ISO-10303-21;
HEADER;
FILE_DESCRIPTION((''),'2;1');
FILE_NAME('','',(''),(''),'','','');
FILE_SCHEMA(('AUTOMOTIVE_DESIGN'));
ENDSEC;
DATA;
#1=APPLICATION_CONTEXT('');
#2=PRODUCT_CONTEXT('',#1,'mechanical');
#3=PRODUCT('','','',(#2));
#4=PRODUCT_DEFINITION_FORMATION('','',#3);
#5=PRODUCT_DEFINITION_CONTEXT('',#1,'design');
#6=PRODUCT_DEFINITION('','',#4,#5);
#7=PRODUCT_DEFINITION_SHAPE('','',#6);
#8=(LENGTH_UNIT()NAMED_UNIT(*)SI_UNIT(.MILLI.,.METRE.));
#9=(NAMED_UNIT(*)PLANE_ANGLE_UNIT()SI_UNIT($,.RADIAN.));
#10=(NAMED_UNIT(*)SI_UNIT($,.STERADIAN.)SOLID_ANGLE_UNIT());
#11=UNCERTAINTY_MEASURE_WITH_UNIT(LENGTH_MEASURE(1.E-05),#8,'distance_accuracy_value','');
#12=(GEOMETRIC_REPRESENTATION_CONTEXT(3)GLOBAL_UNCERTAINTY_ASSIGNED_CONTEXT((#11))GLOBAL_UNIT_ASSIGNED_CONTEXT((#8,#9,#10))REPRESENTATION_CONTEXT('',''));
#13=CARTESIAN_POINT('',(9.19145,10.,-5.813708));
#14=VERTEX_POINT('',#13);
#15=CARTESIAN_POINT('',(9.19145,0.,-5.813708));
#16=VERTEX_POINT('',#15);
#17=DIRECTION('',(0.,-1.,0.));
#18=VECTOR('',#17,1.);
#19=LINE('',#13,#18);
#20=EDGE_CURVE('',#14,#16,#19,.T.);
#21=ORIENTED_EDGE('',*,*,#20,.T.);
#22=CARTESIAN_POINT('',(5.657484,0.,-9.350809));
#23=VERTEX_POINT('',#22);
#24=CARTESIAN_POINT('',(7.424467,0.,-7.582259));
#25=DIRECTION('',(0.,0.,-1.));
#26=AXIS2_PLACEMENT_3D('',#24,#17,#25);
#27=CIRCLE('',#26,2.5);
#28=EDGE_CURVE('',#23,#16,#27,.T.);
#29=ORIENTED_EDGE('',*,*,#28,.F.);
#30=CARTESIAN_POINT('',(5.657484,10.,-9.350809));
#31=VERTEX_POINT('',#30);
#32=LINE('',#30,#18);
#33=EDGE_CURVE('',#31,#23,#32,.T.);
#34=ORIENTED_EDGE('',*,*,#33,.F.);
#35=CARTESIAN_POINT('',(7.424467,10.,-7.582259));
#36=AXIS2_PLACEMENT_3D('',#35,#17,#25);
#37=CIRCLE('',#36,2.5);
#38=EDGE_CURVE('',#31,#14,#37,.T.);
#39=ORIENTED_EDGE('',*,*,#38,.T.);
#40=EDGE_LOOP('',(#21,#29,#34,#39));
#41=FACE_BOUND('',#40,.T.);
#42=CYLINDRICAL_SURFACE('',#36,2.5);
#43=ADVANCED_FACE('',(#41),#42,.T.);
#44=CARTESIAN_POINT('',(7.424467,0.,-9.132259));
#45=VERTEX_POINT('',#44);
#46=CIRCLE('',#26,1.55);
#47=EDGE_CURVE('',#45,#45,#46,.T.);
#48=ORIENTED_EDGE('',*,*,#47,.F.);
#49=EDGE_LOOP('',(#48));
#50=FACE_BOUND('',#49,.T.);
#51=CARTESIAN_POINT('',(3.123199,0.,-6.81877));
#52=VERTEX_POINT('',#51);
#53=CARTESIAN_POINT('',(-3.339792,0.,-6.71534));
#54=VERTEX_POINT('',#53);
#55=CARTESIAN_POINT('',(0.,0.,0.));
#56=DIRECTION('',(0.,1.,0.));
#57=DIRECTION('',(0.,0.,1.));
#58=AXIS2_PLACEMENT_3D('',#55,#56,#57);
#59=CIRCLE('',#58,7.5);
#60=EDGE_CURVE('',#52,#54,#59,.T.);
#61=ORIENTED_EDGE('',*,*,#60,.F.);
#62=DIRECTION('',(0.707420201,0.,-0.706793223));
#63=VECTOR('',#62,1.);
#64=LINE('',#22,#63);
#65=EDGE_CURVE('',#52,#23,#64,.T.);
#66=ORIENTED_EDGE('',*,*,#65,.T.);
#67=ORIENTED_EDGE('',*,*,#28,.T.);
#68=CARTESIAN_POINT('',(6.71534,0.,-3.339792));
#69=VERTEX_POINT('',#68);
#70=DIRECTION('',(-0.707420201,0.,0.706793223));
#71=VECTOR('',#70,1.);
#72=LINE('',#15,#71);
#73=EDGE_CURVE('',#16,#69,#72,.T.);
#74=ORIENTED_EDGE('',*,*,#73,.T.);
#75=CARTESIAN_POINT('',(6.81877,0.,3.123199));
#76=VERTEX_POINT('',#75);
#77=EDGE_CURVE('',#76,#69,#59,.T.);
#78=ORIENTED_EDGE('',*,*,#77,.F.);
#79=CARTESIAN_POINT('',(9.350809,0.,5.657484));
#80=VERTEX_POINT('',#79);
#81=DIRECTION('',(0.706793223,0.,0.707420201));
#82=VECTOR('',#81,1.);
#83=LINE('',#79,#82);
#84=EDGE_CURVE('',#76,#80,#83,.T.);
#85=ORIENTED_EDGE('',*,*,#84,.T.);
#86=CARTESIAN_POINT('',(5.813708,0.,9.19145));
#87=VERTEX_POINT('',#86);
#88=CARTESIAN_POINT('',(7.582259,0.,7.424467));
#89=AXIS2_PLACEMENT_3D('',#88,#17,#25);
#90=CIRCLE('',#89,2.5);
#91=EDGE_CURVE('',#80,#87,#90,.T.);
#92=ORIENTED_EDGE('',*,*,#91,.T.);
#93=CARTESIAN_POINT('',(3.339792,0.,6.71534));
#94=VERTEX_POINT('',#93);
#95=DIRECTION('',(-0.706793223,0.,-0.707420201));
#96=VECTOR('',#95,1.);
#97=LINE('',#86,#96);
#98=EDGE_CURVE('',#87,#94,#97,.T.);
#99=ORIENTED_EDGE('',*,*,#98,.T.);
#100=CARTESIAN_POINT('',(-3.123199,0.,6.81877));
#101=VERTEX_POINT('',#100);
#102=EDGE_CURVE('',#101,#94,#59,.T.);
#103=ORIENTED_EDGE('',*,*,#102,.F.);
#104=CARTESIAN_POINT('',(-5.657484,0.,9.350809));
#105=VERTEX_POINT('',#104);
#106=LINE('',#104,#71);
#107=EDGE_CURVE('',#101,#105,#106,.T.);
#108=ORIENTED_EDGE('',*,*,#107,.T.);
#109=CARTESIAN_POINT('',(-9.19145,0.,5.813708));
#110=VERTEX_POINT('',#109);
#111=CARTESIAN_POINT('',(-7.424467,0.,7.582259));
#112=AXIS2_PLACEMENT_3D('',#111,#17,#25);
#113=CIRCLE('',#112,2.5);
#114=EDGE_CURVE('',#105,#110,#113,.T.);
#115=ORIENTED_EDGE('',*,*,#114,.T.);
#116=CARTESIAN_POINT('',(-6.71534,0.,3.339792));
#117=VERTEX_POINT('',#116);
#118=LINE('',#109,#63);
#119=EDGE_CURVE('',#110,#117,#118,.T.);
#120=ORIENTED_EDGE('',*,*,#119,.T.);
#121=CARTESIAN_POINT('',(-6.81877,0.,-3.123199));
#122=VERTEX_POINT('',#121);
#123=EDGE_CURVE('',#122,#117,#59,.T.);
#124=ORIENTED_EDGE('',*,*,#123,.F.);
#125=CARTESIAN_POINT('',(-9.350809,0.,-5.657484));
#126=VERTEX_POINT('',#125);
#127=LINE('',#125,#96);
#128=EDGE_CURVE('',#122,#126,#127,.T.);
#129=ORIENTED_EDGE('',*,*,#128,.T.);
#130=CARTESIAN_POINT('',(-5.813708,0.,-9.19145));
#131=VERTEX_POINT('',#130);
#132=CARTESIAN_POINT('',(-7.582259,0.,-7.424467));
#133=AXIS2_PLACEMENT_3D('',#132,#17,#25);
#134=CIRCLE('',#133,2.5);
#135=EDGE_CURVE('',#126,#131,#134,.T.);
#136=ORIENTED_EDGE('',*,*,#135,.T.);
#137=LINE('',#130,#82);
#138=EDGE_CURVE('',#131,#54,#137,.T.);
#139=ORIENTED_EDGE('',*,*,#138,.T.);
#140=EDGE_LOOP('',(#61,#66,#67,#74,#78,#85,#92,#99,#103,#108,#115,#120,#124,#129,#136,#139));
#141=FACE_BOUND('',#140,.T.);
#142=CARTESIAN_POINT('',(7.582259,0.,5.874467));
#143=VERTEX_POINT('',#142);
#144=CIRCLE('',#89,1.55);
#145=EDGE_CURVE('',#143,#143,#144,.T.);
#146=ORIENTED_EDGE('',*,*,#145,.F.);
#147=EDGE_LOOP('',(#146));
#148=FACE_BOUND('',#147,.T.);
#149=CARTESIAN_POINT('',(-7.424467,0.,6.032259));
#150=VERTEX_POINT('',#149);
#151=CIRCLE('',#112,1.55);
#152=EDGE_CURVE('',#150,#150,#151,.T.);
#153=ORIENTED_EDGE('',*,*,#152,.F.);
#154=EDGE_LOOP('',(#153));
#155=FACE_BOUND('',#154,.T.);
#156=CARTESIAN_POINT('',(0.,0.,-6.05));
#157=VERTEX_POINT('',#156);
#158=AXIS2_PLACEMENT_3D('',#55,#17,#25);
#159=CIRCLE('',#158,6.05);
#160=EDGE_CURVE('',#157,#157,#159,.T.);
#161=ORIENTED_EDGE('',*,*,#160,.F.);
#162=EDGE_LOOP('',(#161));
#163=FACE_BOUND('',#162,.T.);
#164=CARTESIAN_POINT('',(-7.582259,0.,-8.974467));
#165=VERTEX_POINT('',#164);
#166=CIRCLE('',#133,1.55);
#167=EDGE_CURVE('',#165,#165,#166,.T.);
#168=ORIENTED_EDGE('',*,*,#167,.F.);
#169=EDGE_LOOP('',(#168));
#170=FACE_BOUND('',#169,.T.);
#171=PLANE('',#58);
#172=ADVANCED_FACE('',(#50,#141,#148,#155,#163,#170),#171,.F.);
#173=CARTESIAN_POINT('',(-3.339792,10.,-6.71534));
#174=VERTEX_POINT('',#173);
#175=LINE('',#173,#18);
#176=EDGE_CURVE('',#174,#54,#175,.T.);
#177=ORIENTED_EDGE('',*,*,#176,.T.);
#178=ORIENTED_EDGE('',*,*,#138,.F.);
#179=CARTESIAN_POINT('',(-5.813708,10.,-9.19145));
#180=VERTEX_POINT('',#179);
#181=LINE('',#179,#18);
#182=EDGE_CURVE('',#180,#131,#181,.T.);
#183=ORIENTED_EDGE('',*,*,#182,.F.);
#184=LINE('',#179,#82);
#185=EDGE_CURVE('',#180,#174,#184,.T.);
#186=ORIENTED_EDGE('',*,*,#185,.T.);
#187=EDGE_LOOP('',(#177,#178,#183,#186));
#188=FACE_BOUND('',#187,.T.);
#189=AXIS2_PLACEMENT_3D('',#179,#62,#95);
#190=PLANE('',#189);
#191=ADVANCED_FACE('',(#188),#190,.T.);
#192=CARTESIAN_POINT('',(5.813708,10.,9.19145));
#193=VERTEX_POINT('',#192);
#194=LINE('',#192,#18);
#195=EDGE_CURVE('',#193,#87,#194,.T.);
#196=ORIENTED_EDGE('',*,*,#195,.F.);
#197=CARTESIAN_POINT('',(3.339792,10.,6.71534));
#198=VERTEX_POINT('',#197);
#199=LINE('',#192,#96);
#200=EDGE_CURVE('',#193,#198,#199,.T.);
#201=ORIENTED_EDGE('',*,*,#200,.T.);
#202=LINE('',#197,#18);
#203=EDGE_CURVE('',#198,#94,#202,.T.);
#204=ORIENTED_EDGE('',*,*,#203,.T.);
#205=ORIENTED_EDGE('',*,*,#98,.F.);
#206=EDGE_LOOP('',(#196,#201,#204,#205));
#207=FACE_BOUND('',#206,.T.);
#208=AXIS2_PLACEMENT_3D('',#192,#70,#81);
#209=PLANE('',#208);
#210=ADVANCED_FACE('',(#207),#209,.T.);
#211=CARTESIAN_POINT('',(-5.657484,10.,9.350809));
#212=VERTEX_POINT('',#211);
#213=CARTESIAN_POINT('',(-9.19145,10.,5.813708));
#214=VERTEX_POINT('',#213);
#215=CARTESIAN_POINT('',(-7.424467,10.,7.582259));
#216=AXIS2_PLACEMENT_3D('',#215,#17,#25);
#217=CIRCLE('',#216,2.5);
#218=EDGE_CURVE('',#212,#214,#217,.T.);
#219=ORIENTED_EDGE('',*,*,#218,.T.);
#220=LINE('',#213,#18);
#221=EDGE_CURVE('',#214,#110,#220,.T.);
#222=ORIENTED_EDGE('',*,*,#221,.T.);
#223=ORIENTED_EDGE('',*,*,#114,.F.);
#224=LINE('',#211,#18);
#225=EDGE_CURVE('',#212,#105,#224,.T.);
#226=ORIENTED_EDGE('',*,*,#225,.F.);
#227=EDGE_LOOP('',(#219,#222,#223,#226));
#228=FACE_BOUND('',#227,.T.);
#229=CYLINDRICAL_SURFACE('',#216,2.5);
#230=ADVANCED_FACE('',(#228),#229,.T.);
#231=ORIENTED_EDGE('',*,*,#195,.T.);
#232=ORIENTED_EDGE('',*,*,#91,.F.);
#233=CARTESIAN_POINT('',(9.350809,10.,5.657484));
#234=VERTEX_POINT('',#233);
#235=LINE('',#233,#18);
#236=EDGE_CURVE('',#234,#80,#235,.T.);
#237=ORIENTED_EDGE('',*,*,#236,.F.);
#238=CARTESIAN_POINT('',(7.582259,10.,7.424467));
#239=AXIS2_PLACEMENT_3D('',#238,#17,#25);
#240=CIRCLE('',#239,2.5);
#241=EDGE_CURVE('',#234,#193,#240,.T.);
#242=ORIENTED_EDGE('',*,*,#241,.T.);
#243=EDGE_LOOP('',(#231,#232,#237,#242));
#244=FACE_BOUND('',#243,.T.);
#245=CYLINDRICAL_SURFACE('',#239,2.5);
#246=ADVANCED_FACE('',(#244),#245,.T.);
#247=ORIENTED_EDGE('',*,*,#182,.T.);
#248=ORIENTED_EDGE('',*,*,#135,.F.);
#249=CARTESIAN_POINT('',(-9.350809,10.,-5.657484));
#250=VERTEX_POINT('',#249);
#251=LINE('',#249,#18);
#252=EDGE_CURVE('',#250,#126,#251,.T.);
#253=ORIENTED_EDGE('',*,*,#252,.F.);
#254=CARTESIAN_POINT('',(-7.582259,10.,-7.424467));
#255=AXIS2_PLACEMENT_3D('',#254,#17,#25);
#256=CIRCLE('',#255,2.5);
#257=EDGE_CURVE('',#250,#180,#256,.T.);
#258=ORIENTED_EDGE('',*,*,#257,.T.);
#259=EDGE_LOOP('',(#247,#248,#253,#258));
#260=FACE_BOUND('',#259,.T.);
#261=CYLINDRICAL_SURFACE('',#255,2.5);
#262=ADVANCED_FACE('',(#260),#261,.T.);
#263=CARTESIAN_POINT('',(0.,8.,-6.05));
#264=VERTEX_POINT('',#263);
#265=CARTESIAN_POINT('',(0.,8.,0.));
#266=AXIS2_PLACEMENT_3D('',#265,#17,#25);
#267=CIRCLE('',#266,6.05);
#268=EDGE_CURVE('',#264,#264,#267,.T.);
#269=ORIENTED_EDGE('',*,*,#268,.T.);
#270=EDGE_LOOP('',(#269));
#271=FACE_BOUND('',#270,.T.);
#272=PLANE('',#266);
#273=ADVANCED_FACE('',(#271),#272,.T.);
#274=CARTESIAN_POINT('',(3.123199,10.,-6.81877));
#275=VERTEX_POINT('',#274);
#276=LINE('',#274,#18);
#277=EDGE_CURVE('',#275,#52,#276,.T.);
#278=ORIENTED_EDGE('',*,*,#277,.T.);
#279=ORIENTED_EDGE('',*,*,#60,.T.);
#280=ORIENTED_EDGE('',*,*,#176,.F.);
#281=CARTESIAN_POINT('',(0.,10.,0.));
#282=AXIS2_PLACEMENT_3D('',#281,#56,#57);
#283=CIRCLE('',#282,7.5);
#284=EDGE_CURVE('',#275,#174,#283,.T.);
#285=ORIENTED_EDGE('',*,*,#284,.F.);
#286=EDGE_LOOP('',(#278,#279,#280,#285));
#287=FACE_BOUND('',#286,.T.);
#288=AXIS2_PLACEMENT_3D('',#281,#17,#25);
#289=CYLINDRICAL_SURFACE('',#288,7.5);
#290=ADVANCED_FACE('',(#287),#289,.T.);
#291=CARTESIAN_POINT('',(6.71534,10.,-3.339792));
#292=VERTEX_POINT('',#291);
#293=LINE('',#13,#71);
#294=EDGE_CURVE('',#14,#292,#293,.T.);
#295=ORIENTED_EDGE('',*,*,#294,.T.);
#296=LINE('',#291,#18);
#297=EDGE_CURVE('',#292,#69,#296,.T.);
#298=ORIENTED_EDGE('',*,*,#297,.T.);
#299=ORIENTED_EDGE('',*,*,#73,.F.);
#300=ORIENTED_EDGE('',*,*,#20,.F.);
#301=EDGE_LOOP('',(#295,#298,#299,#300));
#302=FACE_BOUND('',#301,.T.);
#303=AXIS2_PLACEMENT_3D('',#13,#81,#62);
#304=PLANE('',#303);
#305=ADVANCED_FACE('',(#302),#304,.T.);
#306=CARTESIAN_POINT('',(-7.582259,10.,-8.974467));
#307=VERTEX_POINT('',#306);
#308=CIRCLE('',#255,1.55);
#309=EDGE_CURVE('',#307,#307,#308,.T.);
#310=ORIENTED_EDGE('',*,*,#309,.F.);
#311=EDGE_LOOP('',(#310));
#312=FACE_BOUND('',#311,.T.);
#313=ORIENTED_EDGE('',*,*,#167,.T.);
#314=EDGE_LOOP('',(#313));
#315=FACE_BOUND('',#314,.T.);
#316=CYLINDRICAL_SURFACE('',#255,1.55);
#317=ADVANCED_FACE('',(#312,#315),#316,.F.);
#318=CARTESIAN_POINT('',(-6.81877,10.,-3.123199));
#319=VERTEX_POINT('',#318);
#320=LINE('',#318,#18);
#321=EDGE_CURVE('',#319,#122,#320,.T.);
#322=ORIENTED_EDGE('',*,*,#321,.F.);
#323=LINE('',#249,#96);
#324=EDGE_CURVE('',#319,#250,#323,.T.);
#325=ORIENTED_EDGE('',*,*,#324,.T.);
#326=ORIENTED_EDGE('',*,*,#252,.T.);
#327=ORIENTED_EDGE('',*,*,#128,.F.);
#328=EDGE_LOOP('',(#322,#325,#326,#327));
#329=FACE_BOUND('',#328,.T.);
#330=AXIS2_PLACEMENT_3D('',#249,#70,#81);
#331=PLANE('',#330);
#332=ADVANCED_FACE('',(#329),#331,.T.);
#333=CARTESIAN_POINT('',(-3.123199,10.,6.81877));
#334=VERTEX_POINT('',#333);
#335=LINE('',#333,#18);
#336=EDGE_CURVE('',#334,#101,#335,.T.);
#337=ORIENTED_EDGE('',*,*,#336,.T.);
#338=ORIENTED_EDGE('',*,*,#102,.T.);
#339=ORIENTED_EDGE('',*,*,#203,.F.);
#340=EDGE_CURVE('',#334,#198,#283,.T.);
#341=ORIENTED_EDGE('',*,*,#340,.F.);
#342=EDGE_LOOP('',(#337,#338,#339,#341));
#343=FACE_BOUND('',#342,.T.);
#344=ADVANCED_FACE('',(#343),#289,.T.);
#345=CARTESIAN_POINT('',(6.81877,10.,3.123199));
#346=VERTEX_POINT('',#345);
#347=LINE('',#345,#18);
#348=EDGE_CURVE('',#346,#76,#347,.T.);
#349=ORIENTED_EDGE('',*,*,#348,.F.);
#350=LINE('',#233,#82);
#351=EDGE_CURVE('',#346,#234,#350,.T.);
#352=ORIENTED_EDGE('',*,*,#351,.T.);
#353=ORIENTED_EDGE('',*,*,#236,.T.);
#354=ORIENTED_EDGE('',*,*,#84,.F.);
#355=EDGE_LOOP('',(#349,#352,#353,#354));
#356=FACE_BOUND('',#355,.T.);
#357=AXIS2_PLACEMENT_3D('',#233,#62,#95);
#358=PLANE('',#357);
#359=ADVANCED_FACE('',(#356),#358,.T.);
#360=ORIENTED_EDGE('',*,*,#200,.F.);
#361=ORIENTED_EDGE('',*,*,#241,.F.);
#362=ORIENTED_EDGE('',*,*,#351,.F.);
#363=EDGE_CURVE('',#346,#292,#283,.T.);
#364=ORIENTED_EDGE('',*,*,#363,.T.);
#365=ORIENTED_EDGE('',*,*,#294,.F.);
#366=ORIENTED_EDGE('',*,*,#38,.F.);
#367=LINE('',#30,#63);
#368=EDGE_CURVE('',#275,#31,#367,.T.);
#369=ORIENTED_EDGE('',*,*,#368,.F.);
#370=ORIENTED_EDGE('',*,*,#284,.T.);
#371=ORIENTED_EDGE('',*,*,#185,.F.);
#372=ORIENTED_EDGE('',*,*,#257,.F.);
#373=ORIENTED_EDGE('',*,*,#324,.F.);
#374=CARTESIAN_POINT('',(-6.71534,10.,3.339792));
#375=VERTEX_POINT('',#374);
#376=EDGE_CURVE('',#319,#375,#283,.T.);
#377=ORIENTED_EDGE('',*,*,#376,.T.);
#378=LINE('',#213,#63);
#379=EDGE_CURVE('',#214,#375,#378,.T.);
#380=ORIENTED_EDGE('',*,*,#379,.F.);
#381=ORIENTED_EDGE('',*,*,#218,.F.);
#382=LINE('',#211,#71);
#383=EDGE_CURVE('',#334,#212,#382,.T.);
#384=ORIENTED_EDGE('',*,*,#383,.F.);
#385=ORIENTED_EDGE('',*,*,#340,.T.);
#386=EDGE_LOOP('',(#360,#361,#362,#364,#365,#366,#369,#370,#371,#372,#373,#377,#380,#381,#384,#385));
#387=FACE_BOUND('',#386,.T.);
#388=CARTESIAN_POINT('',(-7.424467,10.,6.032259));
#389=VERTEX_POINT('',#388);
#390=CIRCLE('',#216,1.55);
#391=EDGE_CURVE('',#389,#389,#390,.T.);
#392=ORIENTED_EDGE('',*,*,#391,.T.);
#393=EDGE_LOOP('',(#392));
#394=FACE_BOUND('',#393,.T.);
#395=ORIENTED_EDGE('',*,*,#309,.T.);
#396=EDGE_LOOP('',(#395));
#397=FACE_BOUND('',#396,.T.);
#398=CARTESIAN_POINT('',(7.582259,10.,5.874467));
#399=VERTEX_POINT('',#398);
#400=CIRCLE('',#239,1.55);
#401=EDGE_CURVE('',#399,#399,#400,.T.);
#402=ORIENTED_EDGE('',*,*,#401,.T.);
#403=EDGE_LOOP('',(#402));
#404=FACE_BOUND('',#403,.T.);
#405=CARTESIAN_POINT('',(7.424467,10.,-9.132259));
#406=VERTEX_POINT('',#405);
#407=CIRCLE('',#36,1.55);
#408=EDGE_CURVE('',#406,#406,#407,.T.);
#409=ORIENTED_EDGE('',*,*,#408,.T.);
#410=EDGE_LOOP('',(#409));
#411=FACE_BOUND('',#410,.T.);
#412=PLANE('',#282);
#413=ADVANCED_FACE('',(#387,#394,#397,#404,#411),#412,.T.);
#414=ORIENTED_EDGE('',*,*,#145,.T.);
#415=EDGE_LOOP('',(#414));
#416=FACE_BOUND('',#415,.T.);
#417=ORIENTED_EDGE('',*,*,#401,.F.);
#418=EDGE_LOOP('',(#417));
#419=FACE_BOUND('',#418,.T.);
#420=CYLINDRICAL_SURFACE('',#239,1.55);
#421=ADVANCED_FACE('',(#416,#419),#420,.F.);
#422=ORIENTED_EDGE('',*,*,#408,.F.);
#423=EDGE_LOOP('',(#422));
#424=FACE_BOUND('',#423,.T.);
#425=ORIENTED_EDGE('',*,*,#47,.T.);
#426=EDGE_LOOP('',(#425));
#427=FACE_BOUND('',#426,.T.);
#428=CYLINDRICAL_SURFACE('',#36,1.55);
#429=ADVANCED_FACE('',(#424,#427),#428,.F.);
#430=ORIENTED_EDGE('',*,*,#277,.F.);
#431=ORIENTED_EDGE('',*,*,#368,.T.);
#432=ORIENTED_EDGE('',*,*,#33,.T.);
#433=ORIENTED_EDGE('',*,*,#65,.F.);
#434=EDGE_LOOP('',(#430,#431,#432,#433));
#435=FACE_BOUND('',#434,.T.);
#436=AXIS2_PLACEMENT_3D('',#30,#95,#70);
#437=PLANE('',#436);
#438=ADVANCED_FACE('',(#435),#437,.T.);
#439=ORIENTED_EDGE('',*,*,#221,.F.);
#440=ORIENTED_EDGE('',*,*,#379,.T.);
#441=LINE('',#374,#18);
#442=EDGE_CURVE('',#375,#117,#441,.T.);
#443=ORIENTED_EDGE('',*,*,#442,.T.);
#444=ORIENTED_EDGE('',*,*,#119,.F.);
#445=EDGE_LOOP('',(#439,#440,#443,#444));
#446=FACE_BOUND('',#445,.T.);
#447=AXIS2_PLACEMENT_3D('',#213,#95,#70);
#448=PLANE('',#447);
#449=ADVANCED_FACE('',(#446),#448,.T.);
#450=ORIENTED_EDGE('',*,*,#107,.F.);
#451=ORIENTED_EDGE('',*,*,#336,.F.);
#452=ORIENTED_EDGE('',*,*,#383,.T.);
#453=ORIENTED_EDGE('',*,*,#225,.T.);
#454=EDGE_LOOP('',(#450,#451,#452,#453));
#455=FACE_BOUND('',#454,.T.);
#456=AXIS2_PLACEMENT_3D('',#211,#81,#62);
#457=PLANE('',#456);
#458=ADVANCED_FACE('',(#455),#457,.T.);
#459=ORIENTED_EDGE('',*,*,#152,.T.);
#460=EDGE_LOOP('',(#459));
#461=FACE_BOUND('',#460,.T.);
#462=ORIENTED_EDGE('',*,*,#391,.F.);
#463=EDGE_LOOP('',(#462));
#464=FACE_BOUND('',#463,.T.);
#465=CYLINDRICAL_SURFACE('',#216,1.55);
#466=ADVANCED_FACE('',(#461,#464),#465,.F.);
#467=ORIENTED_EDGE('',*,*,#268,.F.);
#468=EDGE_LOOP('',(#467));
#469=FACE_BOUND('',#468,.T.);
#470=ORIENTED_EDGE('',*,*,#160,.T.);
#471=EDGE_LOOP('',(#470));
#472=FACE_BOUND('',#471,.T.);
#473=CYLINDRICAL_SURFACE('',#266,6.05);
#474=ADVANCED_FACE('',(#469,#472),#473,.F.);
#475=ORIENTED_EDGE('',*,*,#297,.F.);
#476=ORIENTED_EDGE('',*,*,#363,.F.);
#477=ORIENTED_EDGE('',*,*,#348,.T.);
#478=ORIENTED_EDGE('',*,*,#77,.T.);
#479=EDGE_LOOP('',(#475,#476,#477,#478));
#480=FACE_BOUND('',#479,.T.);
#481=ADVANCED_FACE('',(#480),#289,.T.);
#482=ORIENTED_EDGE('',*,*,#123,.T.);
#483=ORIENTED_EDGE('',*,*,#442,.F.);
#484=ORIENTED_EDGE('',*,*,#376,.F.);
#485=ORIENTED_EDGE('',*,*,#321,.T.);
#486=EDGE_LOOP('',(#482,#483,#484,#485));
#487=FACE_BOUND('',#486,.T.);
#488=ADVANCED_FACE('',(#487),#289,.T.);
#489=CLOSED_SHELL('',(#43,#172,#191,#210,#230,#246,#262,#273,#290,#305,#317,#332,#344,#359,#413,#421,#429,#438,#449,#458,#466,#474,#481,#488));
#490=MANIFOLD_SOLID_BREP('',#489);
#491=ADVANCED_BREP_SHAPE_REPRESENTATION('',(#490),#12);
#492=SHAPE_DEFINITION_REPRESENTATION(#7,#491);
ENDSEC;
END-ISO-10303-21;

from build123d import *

# Parameters (mm, degrees)
SKETCH1_R           = 7.5
BOSS_EXTRUDE1_DEPTH = 10
SKETCH3_R           = 1.55
BOSS_EXTRUDE2_DEPTH = 10
SKETCH4_R           = 6.05
CUT_EXTRUDE2_DEPTH  = 8


with BuildPart() as part:
    # Sketch1 → Boss-Extrude1 (new body)
    with BuildSketch(Plane(origin=(0, 0, 0), x_dir=(1, 0, 0), z_dir=(0, 1, 0))):
        with Locations(Location((0, 0, 0), (0, 0, 270))):
            Circle(SKETCH1_R)
    extrude(amount=BOSS_EXTRUDE1_DEPTH)

    # Sketch3 → Boss-Extrude2 (add)
    # profile 1 of 4: a face of its own
    with BuildSketch(Plane.XZ):
        with BuildLine():
            Line((-5.657484018, 9.350809391), (-3.123198857, 6.818770336))
            ThreePointArc((-3.123198857, 6.818770336), (-5.217761179, 5.387482554), (-6.715339638, 3.339792441))
            Line((-6.715339638, 3.339792441), (-9.191450131, 5.813708387))
            ThreePointArc((-9.191450131, 5.813708387), (-9.193017577, 9.349241945), (-5.657484018, 9.350809391))
        make_face()
        with Locations(Location((-7.424467075, 7.582258889, 0), (0, 0, 270))):
            Circle(SKETCH3_R, mode=Mode.SUBTRACT)
    # profile 2 of 4: a face of its own
    with BuildSketch(Plane.XZ):
        with BuildLine():
            Line((5.813708387, 9.191450131), (3.339792441, 6.715339638))
            ThreePointArc((3.339792441, 6.715339638), (5.387482554, 5.217761179), (6.818770336, 3.123198857))
            Line((6.818770336, 3.123198857), (9.350809391, 5.657484018))
            ThreePointArc((9.350809391, 5.657484018), (9.349241945, 9.193017577), (5.813708387, 9.191450131))
        make_face()
        with Locations(Location((7.582258889, 7.424467075, 0), (0, 0, 270))):
            Circle(SKETCH3_R, mode=Mode.SUBTRACT)
    # profile 3 of 4: a face of its own
    with BuildSketch(Plane.XZ):
        with BuildLine():
            Line((9.191450131, -5.813708387), (6.715339638, -3.339792441))
            ThreePointArc((6.715339638, -3.339792441), (5.217761179, -5.387482554), (3.123198857, -6.818770336))
            Line((3.123198857, -6.818770336), (5.657484018, -9.350809391))
            ThreePointArc((5.657484018, -9.350809391), (9.193017577, -9.349241945), (9.191450131, -5.813708387))
        make_face()
        with Locations(Location((7.424467075, -7.582258889, 0), (0, 0, 270))):
            Circle(SKETCH3_R, mode=Mode.SUBTRACT)
    # profile 4 of 4: a face of its own
    with BuildSketch(Plane.XZ):
        with BuildLine():
            Line((-5.813708387, -9.191450131), (-3.339792441, -6.715339638))
            ThreePointArc((-3.339792441, -6.715339638), (-5.387482554, -5.217761179), (-6.818770336, -3.123198857))
            Line((-6.818770336, -3.123198857), (-9.350809391, -5.657484018))
            ThreePointArc((-9.350809391, -5.657484018), (-9.349241945, -9.193017577), (-5.813708387, -9.191450131))
        make_face()
        with Locations(Location((-7.582258889, -7.424467075, 0), (0, 0, 270))):
            Circle(SKETCH3_R, mode=Mode.SUBTRACT)
    extrude(amount=-BOSS_EXTRUDE2_DEPTH)

    # Sketch4 → Cut-Extrude2 (cut)
    with BuildSketch(Plane.XZ):
        with Locations(Location((0, 0, 0), (0, 0, 270))):
            Circle(SKETCH4_R)
    extrude(amount=-CUT_EXTRUDE2_DEPTH, mode=Mode.SUBTRACT)


solid = part.part
